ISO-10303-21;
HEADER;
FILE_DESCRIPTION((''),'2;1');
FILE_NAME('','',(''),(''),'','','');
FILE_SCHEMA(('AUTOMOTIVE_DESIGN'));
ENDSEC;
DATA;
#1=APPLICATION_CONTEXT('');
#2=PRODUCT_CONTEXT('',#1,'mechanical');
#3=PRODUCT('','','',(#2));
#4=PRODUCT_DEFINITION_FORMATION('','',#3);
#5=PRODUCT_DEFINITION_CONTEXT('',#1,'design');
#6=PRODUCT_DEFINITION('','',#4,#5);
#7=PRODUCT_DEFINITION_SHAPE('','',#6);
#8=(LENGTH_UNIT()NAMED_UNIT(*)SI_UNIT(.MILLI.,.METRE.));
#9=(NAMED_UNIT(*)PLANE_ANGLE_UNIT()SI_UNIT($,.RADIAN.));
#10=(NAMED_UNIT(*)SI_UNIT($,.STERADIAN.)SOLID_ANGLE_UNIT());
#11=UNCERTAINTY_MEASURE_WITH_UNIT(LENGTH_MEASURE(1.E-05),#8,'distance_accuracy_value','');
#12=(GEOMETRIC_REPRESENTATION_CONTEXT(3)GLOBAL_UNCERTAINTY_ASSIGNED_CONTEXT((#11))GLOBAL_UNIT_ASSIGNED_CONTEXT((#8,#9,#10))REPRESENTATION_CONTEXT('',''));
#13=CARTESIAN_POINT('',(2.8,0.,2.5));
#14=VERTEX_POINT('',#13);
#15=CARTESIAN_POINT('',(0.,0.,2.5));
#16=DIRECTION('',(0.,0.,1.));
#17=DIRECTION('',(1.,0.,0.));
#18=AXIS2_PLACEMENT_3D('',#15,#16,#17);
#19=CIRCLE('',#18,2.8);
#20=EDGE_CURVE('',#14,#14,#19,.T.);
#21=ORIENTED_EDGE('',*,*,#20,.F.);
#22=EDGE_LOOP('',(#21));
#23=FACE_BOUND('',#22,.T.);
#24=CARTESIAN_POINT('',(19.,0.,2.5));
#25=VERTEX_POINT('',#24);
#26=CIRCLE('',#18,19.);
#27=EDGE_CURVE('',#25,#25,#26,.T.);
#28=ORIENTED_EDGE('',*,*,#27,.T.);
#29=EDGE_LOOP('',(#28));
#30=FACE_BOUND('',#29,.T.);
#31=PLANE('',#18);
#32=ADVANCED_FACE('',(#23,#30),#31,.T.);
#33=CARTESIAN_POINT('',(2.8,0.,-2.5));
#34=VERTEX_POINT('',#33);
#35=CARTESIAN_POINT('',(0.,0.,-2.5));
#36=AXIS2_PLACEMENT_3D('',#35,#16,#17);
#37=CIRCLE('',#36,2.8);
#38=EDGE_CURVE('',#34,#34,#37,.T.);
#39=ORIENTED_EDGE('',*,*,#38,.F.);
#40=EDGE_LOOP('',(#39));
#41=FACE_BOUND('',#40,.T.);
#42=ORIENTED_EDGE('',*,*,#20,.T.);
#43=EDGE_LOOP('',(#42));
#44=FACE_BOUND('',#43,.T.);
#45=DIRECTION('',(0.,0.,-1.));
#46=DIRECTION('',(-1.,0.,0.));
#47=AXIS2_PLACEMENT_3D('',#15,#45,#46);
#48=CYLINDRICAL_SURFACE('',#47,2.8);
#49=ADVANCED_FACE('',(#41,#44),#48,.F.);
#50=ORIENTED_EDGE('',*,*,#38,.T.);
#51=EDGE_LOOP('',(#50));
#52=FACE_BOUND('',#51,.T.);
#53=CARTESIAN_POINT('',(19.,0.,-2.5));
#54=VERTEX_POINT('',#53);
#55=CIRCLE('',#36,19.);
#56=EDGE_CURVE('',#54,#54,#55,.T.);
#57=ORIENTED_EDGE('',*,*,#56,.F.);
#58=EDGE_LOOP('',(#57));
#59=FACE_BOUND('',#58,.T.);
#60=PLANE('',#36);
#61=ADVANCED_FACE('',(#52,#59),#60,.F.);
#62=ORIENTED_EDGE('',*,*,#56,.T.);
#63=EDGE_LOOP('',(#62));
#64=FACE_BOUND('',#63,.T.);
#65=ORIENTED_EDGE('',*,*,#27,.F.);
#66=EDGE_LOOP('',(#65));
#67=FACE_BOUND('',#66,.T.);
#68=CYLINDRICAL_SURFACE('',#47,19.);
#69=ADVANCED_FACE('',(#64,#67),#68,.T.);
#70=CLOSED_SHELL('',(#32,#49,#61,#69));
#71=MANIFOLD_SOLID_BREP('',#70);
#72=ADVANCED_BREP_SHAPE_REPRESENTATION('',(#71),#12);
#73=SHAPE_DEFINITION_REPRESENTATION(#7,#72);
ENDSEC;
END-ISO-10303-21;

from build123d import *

# Parameters (mm, degrees)
SKETCH1_R           = 19
SKETCH1_R_2         = 2.8
BOSS_EXTRUDE1_DEPTH = 2.5


with BuildPart() as part:
    # Sketch1 → Boss-Extrude1 (new, symmetric)
    with BuildSketch(Plane.XY):
        Circle(SKETCH1_R)
        Circle(SKETCH1_R_2, mode=Mode.SUBTRACT)
    extrude(amount=BOSS_EXTRUDE1_DEPTH, both=True)


solid = part.part
